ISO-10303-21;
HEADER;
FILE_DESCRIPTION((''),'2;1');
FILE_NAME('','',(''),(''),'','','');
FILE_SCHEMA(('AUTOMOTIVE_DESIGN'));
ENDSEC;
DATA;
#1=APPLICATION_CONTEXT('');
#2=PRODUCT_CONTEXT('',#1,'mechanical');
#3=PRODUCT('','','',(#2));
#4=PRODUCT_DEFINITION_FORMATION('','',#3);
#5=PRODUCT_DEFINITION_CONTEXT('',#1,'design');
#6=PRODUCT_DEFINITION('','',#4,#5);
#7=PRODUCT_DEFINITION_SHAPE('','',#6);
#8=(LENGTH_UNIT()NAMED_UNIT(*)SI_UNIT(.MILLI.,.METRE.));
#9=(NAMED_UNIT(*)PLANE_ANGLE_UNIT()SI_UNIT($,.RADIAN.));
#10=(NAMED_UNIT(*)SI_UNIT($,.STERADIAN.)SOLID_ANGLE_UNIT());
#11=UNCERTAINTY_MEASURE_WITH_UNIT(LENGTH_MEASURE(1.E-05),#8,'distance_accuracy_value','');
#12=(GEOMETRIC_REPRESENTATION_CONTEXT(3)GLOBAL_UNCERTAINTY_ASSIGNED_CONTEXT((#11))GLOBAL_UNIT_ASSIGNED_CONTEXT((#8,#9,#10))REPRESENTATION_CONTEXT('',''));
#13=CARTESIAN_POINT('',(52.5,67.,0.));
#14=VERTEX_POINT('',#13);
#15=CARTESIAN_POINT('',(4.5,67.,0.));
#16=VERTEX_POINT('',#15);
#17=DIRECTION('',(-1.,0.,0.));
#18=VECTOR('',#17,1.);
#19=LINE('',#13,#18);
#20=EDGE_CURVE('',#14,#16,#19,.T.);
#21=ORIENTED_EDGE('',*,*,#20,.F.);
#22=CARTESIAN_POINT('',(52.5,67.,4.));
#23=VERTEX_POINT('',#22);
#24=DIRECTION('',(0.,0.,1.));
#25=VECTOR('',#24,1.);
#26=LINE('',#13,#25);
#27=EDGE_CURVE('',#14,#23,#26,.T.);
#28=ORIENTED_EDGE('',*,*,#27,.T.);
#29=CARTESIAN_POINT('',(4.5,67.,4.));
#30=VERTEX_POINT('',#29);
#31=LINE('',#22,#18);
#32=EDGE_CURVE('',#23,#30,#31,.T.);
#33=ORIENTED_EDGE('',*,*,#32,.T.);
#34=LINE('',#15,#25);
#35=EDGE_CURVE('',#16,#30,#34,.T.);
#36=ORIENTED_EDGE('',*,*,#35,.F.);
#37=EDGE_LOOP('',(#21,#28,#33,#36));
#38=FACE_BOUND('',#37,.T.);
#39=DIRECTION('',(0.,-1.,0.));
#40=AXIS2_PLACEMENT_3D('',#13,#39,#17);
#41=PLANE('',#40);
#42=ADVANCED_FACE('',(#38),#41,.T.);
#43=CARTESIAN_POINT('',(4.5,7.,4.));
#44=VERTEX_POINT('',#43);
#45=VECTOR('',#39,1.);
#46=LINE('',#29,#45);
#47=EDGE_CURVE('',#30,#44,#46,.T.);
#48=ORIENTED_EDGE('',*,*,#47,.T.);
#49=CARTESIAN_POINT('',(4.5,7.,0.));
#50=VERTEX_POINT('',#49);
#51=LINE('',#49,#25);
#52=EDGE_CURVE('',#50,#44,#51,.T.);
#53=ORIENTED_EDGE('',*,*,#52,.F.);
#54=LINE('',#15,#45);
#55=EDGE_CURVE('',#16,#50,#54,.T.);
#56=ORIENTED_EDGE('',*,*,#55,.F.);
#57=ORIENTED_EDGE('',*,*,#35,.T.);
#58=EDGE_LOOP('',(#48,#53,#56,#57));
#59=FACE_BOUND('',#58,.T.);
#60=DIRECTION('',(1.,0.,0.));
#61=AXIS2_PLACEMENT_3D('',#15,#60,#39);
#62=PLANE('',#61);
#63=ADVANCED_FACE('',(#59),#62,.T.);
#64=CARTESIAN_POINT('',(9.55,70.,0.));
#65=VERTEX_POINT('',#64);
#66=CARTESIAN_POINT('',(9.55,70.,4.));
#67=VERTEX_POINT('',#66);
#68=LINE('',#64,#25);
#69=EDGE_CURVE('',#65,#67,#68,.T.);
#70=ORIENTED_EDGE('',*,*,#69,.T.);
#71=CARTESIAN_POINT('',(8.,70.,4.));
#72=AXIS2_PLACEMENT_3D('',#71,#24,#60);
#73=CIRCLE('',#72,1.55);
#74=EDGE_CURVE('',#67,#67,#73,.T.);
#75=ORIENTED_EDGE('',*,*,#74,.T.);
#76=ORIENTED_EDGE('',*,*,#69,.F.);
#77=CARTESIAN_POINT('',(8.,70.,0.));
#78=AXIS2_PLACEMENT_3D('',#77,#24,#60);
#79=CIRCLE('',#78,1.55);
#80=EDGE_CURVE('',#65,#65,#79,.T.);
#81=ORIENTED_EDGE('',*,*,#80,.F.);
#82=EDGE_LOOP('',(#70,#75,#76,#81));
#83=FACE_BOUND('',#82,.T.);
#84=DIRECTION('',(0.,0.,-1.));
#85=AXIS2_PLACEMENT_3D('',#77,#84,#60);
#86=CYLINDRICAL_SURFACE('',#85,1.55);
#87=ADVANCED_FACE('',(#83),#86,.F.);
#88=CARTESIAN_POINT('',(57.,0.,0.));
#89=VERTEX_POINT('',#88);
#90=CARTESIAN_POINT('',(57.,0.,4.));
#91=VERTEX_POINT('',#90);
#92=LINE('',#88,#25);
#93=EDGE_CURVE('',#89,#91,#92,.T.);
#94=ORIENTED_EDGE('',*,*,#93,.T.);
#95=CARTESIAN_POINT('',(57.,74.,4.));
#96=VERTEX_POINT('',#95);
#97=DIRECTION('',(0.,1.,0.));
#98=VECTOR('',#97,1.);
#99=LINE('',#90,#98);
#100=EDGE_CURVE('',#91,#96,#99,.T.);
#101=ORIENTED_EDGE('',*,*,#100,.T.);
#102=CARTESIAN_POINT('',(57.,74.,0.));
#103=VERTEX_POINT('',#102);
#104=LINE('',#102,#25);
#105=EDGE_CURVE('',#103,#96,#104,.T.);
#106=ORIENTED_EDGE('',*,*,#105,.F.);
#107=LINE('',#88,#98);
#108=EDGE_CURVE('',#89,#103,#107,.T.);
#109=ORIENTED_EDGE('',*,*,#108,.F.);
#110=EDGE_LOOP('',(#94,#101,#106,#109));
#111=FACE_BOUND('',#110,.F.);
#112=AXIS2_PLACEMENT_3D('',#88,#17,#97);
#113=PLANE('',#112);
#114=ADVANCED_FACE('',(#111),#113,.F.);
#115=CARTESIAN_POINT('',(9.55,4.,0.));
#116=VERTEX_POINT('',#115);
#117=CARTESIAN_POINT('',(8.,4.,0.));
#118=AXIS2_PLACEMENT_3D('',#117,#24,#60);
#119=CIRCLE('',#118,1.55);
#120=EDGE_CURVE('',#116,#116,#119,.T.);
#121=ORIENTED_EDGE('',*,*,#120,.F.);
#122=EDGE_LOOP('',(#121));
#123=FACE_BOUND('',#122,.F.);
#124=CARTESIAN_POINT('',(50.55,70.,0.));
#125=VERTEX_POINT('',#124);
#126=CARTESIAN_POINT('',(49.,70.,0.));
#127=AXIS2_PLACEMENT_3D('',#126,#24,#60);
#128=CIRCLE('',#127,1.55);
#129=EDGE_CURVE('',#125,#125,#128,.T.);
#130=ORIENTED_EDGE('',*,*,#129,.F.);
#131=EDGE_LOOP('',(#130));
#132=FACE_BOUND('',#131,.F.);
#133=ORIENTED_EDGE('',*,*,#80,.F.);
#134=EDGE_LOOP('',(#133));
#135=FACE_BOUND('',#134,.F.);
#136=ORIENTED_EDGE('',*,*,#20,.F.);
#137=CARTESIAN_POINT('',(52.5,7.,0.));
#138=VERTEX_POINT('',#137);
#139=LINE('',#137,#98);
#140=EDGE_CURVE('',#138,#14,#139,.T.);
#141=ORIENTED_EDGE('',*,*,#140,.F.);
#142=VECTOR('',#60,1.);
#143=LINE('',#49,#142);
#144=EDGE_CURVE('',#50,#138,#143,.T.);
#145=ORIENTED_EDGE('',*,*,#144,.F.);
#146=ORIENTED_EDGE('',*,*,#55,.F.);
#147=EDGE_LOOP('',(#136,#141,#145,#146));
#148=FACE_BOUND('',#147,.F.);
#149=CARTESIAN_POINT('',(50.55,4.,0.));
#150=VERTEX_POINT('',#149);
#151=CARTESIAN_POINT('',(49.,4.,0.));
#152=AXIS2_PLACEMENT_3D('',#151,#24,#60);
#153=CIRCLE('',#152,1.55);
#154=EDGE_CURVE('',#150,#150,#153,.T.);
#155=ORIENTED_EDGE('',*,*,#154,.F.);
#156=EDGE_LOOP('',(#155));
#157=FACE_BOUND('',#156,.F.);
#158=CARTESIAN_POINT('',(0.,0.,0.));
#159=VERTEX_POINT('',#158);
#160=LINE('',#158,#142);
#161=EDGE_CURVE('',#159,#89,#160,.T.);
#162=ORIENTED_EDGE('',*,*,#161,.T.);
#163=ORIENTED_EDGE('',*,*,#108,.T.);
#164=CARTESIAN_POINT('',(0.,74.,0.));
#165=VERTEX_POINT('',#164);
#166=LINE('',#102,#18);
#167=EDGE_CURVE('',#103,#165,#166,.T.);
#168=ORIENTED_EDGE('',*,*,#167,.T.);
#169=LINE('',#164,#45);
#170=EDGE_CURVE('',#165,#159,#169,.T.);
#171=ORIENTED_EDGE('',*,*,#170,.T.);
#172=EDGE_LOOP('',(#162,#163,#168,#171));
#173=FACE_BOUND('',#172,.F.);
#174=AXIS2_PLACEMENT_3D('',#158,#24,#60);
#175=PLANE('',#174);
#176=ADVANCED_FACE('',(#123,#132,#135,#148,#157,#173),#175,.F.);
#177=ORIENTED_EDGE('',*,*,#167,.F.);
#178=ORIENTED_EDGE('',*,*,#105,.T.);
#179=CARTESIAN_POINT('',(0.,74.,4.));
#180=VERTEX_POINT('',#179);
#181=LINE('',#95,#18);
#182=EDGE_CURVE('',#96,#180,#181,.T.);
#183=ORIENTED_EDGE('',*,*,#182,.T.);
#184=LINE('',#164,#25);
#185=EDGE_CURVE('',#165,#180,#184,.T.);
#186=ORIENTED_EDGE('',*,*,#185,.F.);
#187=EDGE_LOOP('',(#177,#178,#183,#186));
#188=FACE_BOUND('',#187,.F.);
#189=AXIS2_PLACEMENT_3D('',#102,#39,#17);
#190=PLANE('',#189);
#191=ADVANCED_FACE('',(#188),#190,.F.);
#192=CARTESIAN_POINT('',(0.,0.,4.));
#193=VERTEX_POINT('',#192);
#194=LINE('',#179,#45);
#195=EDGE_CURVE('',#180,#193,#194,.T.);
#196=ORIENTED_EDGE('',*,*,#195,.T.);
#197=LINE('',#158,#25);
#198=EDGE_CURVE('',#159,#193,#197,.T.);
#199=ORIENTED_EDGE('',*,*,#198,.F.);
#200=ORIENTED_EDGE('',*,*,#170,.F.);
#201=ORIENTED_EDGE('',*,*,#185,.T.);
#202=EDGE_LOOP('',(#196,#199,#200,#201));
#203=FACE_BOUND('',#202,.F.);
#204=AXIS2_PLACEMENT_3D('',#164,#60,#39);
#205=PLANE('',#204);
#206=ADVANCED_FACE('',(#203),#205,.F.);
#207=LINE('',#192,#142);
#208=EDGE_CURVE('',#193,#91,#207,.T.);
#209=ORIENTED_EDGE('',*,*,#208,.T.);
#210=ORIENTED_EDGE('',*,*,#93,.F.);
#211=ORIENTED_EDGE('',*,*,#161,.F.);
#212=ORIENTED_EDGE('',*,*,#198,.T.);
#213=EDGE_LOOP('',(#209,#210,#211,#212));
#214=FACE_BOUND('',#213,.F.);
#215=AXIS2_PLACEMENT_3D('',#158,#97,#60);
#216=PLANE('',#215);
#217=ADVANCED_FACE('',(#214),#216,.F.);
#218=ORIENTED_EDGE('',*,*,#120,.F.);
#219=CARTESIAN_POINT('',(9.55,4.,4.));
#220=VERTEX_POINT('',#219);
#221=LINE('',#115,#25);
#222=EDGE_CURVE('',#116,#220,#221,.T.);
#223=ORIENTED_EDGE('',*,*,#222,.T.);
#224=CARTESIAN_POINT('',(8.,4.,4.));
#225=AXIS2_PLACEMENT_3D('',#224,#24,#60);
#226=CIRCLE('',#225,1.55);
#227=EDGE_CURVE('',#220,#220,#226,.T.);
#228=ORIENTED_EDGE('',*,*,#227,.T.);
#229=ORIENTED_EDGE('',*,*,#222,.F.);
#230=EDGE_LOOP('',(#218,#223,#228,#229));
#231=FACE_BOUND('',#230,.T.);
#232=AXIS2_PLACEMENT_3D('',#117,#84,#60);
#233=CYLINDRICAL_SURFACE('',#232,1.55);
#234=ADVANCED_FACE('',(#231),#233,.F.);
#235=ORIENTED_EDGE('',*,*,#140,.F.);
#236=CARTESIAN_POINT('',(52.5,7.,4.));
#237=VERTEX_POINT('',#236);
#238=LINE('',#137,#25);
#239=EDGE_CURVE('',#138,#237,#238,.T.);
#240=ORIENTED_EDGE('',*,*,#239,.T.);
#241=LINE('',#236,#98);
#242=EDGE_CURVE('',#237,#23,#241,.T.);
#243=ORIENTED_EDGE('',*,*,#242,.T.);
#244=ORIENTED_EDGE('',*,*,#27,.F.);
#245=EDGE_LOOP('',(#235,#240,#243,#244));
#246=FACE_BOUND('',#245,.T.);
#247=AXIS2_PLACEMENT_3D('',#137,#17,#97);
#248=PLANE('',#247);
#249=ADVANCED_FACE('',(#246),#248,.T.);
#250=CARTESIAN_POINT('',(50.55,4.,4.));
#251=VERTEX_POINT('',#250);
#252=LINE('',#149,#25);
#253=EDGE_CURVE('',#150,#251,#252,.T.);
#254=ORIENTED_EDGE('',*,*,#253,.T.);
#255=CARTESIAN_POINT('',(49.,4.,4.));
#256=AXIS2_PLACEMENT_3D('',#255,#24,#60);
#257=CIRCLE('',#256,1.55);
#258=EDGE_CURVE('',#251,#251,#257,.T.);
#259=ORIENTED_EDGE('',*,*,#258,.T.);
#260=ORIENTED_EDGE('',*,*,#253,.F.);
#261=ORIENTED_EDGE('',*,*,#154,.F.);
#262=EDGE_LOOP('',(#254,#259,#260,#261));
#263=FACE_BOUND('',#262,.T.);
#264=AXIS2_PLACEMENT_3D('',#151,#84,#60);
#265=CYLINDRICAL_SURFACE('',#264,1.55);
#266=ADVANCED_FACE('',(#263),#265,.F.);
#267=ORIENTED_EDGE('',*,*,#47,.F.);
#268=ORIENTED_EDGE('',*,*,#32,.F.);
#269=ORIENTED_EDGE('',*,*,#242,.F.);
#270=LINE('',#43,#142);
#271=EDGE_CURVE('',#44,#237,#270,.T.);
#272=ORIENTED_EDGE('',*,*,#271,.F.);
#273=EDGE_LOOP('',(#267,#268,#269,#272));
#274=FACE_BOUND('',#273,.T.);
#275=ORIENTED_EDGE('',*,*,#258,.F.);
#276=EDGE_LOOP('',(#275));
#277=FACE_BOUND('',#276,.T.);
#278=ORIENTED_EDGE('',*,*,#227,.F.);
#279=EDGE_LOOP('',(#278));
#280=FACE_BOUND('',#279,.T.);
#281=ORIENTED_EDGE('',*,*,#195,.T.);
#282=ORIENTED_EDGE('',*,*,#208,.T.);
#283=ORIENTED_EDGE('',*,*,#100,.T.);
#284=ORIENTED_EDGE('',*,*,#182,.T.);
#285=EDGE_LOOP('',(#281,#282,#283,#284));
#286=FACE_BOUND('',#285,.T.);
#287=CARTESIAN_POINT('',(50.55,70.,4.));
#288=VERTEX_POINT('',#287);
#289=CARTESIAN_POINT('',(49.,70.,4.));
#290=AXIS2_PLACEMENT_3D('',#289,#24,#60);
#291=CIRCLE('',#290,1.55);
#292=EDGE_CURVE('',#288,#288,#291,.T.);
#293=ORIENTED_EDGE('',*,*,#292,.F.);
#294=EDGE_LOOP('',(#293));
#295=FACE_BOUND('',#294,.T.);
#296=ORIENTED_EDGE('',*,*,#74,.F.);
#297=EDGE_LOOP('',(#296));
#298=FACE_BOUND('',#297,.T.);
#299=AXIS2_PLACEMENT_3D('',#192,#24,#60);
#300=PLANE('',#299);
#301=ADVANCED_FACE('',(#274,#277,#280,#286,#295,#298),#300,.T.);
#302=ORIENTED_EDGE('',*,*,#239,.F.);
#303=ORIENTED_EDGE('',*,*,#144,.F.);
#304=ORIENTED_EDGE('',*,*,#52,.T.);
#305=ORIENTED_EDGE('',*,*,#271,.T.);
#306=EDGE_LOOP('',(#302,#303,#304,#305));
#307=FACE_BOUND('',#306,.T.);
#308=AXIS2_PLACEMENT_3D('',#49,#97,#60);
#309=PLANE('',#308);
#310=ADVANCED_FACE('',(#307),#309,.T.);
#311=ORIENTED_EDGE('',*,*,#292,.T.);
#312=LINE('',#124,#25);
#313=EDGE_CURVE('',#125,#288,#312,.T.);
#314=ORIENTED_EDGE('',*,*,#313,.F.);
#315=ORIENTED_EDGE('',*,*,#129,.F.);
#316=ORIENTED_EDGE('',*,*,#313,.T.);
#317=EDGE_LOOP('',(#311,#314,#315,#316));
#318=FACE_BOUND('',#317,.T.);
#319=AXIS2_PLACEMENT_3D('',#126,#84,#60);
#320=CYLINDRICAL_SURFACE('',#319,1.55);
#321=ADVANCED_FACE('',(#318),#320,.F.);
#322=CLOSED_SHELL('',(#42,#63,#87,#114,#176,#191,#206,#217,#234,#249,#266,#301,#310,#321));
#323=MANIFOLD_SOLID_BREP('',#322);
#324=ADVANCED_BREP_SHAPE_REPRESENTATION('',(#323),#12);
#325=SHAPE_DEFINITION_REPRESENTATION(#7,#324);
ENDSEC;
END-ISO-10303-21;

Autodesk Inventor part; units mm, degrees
ref_plane "YZ Plane" through (0, 0, 0) normal (1, 0, 0) x (0, 1, 0)
ref_plane "XZ Plane" through (0, 0, 0) normal (0, 1, 0) x (-1, 0, 0)
ref_plane "XY Plane" through (0, 0, 0) normal (0, 0, 1) x (1, 0, 0)
sketch "Szkic1" plane through (0, 0, 0) normal (0, 0, 1) x (1, 0, 0)
  line L0 (0, 0) -> (57, 0)
  line L1 (57, 0) -> (57, 74)
  line L2 (57, 74) -> (0, 74)
  line L3 (0, 74) -> (0, 0)
  line L4 (28.5, 74) -> (28.5, 67) construction
  line L5 (0, 37) -> (4.5, 37) construction
  line L6 (28.5, 0) -> (28.5, 7) construction
  line L7 (57, 37) -> (52.5, 37) construction
  line L8 (4.5, 7) -> (52.5, 7)
  line L9 (52.5, 7) -> (52.5, 67)
  line L10 (52.5, 67) -> (4.5, 67)
  line L11 (4.5, 67) -> (4.5, 7)
  line L12 (57, 0) -> (49, 0) construction
  line L13 (0, 0) -> (8, 0) construction
  line L14 (8, 0) -> (8, 4) construction
  line L15 (49, 0) -> (49, 4) construction
  circle A0 centre (49, 4) radius 1.55
  circle A1 centre (8, 4) radius 1.55
  line L16 (57, 74) -> (49, 74) construction
  line L17 (49, 74) -> (49, 70) construction
  line L18 (0, 74) -> (8, 74) construction
  line L19 (8, 74) -> (8, 70) construction
  circle A2 centre (8, 70) radius 1.55
  circle A3 centre (49, 70) radius 1.55
  dimension "d0" = 57
  dimension "d1" = 74
  dimension "d2" = 7
  dimension "d3" = 4.5
  dimension "d4" = 7
  dimension "d5" = 4.5
  dimension "d6" = 8
  dimension "d7" = 8
  dimension "d8" = 4
  dimension "d9" = 3.1
  dimension "d10" = 3.1
  dimension "d11" = 4
  dimension "d12" = 3.1
  dimension "d13" = 3.1
extrude "Wyciągnięcie proste1" add sketch "Szkic1" along normal blind 4
properties part number "Uzupelnienie_podwozia"
